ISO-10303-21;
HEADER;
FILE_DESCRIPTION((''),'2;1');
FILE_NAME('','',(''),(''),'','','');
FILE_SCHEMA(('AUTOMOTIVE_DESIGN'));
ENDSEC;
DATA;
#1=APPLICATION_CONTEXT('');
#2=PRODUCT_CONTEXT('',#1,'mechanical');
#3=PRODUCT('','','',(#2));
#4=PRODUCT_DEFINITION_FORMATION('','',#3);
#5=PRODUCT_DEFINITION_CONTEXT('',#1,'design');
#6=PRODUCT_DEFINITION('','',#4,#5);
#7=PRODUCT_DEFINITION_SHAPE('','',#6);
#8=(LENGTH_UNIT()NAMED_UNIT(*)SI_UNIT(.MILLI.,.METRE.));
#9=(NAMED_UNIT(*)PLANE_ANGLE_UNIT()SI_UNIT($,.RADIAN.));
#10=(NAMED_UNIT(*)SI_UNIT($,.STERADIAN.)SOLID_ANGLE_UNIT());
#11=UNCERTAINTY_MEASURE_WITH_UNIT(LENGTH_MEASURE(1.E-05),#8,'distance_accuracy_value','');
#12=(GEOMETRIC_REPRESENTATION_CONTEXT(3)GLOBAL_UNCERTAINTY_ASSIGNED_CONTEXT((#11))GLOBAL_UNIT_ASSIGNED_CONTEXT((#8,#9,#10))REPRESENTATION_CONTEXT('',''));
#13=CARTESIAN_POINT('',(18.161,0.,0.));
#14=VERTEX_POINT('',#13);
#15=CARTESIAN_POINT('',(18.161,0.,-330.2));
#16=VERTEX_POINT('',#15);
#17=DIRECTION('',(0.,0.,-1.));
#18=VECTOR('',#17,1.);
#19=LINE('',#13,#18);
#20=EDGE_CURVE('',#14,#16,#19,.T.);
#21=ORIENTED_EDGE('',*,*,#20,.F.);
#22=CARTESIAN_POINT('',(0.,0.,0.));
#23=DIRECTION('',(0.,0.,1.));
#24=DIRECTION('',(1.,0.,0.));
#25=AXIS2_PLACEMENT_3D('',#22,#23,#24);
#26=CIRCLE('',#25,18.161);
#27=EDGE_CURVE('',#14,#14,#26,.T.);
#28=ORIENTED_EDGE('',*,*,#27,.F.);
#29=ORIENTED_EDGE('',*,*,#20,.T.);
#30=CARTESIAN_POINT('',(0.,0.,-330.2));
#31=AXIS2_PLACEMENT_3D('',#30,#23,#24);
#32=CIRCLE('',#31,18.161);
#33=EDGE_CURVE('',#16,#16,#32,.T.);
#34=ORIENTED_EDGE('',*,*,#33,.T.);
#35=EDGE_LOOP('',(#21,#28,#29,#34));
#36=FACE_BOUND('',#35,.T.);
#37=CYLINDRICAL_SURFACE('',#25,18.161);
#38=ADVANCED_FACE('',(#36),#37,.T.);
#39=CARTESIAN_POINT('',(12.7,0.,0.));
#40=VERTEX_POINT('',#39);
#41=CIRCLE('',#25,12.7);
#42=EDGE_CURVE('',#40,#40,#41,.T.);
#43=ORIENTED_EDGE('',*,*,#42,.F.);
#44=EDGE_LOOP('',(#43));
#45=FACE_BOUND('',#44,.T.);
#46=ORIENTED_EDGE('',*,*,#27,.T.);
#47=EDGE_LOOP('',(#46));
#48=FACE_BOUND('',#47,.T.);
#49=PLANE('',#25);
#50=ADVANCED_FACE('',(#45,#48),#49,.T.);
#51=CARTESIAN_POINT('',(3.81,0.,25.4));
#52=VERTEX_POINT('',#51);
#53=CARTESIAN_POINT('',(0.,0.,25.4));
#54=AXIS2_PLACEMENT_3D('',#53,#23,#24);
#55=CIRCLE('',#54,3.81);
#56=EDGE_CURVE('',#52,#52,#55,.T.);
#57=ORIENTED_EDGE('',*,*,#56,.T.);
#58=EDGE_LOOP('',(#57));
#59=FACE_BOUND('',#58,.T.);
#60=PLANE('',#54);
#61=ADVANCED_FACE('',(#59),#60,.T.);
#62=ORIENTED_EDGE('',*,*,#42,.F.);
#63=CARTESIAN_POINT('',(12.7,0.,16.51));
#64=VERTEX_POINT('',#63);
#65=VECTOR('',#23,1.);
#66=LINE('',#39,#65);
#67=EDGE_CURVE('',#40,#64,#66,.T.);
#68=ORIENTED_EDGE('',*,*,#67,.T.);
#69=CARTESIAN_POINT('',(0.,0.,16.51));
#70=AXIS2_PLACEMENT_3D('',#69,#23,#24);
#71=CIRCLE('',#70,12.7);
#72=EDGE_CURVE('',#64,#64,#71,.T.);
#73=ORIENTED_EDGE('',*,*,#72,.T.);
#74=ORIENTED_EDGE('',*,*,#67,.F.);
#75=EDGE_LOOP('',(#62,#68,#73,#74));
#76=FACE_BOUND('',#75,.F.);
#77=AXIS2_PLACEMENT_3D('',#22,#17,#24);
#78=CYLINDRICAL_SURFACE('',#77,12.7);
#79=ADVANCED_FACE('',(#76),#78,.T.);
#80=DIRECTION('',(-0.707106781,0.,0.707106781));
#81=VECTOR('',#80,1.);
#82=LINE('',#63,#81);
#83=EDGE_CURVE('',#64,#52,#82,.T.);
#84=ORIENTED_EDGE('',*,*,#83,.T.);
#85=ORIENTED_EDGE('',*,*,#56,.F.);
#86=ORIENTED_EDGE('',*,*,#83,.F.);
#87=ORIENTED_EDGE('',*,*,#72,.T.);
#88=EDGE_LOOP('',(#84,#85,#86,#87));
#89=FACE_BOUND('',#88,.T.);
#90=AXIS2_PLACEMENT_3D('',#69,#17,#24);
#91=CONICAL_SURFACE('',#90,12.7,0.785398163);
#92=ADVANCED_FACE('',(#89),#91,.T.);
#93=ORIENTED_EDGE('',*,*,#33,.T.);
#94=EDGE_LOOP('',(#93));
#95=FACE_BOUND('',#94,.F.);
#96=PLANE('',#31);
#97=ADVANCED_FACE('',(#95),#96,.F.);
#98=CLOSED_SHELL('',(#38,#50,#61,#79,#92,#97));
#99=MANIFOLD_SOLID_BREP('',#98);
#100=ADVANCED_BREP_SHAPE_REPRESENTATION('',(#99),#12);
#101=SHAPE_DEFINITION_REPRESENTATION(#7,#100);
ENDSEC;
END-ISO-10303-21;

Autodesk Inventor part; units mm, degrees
ref_plane "YZ Plane" through (0, 0, 0) normal (1, 0, 0) x (0, 1, 0)
ref_plane "XZ Plane" through (0, 0, 0) normal (0, 1, 0) x (-1, 0, 0)
ref_plane "XY Plane" through (0, 0, 0) normal (0, 0, 1) x (1, 0, 0)
sketch "Sketch1" plane through (0, 0, 0) normal (0, 0, 1) x (1, 0, 0)
  circle A0 centre (0, 0) radius 18.161
  dimension "d0" = 36.322
extrude "Extrusion1" add sketch "Sketch1" against normal blind 330.2
sketch "Sketch2" plane through (0, 0, 0) normal (0, 0, 1) x (1, 0, 0)
  circle A0 centre (0, 0) radius 18.161 projected
  circle A1 centre (0, 0) radius 12.7
  dimension "d3" = 25.4
extrude "Extrusion2" add sketch "Sketch2" along normal blind 25.4 contours A1
chamfer "Chamfer1" distance 8.89 angle 45 1 edges at (-12.7, 0, 25.4)
properties part number "machineTorchHead"
